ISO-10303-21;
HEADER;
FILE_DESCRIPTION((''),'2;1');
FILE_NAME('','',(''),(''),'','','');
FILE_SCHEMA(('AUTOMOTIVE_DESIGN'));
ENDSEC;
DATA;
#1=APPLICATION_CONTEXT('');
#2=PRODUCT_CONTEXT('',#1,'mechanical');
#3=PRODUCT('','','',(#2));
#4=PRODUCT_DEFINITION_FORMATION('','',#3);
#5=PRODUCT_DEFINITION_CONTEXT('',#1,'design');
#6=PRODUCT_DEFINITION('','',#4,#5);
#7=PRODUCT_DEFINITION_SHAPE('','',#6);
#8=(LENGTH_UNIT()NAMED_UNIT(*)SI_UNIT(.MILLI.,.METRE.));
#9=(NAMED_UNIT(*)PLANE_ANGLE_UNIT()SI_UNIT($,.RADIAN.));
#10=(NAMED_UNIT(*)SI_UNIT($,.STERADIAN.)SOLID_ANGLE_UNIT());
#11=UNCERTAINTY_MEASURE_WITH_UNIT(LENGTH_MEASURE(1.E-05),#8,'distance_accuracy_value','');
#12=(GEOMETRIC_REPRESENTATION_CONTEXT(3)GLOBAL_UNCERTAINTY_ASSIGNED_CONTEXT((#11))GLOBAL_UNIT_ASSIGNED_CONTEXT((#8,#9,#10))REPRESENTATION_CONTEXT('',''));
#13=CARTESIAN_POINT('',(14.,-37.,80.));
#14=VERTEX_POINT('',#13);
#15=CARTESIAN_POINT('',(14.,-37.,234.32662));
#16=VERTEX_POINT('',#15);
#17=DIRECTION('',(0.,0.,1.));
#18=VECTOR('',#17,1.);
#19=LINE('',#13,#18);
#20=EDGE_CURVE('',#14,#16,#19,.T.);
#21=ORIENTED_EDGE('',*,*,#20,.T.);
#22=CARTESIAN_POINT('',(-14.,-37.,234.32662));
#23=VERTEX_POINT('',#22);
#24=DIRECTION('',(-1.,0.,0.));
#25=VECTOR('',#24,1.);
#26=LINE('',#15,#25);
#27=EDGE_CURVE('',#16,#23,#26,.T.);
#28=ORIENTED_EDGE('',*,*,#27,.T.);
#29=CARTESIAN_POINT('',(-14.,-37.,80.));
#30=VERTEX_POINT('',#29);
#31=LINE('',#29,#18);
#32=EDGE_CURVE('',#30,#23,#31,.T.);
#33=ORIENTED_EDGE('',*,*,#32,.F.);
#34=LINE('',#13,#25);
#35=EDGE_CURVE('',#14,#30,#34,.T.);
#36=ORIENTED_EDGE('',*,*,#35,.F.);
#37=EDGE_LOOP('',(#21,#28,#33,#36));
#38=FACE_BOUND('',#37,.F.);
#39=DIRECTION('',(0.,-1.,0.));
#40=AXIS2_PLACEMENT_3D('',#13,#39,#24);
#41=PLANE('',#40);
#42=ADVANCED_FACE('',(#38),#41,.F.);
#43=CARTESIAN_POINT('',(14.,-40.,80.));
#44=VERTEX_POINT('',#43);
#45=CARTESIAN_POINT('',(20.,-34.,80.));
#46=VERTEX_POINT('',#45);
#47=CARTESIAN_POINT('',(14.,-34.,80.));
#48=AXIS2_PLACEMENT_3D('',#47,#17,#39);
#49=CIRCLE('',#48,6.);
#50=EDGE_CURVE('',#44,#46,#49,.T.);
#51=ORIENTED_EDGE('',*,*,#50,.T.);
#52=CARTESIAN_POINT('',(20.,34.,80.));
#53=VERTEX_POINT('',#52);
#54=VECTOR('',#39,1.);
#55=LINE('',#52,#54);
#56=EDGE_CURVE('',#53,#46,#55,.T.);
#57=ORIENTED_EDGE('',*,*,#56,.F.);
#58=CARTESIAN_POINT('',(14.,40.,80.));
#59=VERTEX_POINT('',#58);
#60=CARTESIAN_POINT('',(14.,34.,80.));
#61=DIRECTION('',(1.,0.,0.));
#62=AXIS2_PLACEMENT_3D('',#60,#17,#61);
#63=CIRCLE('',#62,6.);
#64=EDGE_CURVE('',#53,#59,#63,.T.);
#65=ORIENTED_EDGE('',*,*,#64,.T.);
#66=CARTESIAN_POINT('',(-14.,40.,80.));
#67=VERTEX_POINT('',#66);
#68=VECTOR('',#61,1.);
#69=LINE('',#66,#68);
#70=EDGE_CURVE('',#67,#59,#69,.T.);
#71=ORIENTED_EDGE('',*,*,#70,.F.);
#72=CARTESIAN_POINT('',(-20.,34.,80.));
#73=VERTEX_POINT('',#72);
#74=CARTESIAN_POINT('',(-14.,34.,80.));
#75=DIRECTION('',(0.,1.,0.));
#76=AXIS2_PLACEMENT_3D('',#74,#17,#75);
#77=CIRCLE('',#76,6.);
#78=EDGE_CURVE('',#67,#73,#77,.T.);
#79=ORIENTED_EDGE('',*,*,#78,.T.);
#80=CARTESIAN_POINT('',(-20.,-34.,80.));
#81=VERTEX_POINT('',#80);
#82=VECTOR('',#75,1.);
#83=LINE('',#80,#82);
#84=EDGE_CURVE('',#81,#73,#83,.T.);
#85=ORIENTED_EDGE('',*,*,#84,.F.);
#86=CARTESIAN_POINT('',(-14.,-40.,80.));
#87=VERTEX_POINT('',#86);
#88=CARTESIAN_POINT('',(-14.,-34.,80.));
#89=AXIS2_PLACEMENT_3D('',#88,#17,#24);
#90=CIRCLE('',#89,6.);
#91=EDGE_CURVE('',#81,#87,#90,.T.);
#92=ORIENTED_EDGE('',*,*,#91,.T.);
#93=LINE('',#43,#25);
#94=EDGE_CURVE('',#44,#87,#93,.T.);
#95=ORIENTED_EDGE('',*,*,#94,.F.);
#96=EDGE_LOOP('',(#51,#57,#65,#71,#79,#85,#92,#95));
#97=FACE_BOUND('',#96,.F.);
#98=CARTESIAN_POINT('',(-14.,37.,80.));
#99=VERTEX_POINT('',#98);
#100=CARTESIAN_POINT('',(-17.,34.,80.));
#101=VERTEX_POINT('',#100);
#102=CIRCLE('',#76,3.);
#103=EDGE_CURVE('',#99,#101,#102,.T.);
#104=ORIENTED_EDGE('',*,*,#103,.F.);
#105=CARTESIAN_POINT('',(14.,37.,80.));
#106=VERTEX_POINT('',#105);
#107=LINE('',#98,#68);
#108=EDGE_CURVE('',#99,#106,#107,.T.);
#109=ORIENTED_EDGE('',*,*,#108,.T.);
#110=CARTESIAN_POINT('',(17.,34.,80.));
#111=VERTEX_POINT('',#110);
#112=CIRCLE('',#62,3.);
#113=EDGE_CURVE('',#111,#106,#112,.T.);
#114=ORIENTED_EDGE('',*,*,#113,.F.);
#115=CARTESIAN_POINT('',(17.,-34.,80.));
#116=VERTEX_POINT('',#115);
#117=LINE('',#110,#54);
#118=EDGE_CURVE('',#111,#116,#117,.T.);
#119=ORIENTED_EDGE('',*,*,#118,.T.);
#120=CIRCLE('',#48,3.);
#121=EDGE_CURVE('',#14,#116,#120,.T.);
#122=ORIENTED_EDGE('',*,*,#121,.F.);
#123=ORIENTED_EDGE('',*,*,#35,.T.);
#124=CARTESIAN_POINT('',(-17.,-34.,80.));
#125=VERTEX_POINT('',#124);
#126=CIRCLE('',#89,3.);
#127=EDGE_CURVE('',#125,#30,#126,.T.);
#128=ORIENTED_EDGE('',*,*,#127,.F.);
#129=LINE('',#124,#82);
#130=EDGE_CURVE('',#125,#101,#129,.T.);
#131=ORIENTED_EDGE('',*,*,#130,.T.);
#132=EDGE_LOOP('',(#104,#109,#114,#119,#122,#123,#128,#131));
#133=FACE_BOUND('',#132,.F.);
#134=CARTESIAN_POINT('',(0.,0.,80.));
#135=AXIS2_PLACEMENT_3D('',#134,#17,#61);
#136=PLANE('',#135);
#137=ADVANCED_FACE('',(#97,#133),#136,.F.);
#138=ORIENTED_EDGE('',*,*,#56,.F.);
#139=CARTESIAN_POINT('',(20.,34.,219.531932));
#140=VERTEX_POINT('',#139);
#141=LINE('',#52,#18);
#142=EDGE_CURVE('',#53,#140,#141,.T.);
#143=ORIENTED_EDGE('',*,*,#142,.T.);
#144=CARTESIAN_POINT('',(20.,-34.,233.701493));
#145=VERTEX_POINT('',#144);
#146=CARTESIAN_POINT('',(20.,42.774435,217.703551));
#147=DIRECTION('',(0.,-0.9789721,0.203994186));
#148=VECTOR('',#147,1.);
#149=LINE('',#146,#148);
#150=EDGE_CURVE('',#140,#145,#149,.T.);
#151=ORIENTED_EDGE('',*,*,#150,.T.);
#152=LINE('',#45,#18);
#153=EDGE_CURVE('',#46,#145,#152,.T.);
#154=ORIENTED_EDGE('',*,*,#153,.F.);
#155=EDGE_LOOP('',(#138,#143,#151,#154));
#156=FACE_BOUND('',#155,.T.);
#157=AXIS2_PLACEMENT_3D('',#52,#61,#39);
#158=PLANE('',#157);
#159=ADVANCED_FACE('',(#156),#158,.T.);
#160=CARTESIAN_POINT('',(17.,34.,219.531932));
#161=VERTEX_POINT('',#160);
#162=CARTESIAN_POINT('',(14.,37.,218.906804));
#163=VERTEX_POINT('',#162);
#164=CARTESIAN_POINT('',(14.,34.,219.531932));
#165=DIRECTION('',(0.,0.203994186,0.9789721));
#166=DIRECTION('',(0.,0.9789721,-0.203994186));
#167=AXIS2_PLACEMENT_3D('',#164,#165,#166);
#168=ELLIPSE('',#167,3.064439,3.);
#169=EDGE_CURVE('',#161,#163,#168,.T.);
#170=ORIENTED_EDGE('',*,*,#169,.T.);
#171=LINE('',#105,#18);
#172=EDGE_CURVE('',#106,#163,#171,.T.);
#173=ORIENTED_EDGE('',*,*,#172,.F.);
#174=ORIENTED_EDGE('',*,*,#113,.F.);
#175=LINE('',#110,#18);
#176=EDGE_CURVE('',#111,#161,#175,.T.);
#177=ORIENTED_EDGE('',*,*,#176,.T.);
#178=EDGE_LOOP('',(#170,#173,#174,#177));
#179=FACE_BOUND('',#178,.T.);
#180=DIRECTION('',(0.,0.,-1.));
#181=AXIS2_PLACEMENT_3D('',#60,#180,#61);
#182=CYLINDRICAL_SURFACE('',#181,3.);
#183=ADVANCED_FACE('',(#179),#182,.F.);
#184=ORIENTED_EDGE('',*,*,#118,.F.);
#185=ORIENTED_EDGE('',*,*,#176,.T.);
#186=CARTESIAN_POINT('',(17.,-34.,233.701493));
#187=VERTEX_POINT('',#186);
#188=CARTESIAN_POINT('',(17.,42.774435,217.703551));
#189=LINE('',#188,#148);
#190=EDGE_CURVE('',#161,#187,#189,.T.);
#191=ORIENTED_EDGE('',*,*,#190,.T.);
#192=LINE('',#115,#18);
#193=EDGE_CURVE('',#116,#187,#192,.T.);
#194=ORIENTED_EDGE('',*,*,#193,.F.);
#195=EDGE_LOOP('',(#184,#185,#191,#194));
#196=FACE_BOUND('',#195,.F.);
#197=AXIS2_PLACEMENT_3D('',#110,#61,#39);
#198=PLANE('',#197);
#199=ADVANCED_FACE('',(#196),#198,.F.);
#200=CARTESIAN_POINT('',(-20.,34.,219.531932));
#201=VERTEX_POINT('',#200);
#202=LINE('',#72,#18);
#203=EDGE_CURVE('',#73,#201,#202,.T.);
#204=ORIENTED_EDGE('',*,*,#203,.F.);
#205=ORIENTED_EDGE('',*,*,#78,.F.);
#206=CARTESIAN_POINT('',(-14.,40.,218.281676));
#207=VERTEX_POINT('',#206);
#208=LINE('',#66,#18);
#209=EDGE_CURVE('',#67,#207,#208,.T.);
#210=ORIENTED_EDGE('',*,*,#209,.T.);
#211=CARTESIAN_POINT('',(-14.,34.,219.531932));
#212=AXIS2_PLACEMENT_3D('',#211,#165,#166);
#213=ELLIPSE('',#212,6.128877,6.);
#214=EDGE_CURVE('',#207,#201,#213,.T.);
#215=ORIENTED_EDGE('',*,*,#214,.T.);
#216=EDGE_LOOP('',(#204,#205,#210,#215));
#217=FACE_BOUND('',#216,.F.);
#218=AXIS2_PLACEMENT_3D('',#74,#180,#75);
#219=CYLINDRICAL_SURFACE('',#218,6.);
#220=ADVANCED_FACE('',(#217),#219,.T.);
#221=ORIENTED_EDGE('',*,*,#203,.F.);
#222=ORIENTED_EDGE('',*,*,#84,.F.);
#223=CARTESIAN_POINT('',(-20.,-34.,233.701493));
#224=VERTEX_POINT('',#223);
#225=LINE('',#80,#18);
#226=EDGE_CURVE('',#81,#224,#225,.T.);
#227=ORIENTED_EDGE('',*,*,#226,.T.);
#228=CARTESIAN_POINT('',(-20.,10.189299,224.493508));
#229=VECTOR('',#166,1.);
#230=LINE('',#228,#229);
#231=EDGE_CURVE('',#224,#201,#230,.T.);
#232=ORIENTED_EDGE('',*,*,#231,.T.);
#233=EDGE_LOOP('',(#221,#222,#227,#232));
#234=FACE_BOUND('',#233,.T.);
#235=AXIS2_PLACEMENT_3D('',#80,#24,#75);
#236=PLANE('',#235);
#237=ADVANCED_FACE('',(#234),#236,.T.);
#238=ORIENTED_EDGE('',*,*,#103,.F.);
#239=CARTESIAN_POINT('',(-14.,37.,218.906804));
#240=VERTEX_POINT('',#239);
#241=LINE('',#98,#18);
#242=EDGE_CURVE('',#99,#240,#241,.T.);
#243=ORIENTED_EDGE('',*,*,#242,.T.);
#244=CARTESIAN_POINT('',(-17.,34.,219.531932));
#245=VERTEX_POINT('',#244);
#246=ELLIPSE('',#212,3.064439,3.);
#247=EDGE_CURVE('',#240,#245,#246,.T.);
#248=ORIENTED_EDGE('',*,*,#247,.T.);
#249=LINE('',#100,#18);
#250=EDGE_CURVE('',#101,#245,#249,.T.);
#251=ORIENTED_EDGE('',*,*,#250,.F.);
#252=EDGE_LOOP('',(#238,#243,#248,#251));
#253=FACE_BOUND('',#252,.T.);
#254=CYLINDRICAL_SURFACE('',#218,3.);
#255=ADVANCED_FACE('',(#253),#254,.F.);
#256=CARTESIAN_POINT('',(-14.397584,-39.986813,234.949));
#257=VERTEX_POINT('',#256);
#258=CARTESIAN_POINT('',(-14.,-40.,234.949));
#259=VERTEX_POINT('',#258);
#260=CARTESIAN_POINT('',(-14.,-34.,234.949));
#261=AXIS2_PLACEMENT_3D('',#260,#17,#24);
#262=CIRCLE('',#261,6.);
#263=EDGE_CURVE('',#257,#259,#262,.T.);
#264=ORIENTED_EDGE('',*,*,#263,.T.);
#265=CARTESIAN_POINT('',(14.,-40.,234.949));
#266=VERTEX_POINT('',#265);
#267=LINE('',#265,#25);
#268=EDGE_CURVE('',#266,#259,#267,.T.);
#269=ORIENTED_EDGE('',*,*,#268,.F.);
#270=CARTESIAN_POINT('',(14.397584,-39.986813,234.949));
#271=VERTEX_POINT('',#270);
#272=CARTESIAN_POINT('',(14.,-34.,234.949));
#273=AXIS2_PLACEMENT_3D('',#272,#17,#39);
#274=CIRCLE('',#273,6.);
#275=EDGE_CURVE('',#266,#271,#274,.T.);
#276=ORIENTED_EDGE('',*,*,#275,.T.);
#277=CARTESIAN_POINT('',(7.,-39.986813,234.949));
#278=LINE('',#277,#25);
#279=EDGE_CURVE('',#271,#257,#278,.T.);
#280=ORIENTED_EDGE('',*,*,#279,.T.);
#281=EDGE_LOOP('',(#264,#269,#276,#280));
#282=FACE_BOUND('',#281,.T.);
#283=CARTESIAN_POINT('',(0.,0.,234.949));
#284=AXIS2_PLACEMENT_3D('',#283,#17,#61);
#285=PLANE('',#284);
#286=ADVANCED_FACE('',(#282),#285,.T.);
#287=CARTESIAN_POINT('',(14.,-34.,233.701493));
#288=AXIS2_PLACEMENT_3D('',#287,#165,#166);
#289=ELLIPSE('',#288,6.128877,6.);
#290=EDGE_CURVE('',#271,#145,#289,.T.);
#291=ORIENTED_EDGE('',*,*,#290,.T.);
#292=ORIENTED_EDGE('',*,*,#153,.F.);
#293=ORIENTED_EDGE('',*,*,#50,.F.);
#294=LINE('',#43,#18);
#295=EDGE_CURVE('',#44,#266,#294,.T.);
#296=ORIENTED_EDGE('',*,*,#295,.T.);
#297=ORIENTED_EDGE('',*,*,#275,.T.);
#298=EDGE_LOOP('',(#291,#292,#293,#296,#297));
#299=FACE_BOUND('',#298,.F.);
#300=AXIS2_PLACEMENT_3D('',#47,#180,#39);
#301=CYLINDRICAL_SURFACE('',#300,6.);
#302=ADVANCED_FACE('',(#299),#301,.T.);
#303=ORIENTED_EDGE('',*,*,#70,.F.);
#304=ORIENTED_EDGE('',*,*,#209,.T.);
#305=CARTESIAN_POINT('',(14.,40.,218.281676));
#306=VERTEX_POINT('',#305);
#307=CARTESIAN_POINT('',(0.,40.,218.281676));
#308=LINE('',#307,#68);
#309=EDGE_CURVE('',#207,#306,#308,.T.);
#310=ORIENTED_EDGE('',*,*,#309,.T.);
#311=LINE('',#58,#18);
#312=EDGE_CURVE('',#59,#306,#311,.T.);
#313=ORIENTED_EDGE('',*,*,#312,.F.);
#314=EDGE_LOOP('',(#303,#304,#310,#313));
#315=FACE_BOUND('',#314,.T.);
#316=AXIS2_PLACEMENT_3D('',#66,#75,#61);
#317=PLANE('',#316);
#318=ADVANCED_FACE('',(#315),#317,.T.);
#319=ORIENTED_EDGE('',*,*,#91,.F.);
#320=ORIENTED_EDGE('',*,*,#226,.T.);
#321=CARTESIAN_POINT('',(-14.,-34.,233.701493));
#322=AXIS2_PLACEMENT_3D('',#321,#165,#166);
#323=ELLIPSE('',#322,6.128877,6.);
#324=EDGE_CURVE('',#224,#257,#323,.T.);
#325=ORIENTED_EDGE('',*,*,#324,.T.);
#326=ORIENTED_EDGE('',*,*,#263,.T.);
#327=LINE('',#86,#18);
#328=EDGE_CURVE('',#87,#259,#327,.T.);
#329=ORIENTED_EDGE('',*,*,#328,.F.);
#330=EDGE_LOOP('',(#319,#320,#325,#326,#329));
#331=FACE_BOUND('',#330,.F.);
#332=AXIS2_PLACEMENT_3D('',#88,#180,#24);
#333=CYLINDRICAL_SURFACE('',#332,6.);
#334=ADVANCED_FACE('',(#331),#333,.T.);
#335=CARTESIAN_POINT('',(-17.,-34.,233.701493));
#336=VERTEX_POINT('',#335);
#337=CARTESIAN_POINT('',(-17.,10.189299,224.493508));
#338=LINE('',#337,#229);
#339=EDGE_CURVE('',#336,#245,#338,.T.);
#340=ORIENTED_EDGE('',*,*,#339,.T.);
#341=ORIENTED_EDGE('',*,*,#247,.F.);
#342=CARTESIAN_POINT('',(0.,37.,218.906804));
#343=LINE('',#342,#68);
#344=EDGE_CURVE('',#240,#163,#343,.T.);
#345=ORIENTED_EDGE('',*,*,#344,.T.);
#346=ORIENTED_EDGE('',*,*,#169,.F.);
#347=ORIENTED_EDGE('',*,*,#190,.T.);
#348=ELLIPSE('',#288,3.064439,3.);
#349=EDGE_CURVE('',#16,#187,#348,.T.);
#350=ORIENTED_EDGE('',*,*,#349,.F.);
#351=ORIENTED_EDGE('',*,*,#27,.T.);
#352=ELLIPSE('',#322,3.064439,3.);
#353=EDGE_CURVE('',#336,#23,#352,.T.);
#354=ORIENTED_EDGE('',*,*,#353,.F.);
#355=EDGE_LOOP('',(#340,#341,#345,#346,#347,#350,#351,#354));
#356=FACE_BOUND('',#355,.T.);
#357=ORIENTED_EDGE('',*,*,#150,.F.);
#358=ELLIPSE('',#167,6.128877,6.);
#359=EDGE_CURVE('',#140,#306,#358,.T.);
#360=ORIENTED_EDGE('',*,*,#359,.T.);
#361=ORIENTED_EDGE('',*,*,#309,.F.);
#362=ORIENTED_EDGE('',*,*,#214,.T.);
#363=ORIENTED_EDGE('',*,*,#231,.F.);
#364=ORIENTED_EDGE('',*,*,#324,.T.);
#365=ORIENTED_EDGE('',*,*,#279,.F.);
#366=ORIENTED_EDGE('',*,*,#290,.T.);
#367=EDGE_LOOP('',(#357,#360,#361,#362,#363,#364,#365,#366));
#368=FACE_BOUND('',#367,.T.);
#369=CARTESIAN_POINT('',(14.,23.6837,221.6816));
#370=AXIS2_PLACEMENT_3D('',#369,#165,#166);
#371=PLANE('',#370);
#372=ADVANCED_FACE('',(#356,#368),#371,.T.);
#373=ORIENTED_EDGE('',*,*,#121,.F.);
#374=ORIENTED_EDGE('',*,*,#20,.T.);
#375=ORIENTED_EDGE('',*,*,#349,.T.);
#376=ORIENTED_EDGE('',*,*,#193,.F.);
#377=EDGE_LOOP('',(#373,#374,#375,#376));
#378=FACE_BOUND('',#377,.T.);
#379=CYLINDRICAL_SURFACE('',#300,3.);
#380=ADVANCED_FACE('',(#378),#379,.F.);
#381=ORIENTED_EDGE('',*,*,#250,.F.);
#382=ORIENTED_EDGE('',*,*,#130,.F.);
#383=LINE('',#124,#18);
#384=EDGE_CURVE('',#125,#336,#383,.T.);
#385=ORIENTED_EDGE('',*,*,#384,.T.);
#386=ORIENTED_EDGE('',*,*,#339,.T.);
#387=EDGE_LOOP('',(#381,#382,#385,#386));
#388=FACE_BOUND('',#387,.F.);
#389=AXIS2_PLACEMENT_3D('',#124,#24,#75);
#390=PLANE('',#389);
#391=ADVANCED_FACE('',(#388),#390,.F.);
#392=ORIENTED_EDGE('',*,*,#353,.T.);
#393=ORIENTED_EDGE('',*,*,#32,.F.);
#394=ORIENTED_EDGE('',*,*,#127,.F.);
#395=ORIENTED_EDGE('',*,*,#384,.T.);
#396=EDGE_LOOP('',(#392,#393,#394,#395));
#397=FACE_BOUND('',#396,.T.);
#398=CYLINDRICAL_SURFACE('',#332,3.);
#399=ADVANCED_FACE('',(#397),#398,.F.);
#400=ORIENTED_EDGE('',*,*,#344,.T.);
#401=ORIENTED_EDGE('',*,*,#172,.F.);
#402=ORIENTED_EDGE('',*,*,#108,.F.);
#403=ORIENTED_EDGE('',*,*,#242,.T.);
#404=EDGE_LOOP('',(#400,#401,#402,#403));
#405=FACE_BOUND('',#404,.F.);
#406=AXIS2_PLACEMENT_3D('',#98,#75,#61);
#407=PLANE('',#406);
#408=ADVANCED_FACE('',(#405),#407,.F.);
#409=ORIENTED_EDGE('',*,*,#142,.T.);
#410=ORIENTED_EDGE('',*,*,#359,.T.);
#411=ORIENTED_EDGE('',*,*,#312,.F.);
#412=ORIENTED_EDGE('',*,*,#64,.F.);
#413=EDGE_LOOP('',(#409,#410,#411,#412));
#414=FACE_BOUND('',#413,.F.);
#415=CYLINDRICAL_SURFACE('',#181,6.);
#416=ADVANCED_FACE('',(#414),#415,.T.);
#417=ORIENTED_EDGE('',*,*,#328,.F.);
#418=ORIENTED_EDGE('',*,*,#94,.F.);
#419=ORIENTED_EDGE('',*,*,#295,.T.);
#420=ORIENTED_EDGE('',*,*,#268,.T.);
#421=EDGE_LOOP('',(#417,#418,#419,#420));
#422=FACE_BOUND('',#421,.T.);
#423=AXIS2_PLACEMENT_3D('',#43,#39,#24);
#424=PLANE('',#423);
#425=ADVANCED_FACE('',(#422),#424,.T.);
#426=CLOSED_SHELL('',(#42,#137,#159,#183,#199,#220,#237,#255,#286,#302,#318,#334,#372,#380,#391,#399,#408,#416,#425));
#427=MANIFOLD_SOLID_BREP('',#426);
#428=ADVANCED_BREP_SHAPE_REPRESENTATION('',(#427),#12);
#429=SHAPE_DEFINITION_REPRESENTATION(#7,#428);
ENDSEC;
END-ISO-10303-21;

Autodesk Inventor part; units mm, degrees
ref_plane "Start Plane" through (0, 0, 80) normal (0, 0, 1) x (1, 0, 0)
ref_plane "End Plane" through (0, 0, 234.949) normal (0, 0, 1) x (1, 0, 0)
sketch "Sketch" plane through (0, 0, 0) normal (0, 0, 1) x (1, 0, 0)
  line L0 (-20, -34) -> (-20, 34)
  line L1 (-14, 40) -> (14, 40)
  line L2 (20, 34) -> (20, -34)
  line L3 (14, -40) -> (-14, -40)
  arc A0 (-20, -34) -> (-14, -40) centre (-14, -34) ccw
  arc A1 (20, 34) -> (14, 40) centre (14, 34) ccw
  arc A2 (-14, 40) -> (-20, 34) centre (-14, 34) ccw
  arc A3 (14, -40) -> (20, -34) centre (14, -34) ccw
  arc A4 (-14, 37) -> (-17, 34) centre (-14, 34) ccw
  line L4 (-14, 37) -> (14, 37)
  arc A5 (17, 34) -> (14, 37) centre (14, 34) ccw
  line L5 (17, 34) -> (17, -34)
  arc A6 (14, -37) -> (17, -34) centre (14, -34) ccw
  line L6 (14, -37) -> (-14, -37)
  arc A7 (-17, -34) -> (-14, -37) centre (-14, -34) ccw
  line L7 (-17, -34) -> (-17, 34)
  line L8 (0, 57.7397) -> (0, -57.7397) construction
  line L9 (-29.7397, 0) -> (29.7397, 0) construction
  dimension "d7" = 6
  dimension "d9" = 40
  dimension "d11" = 80
  dimension "d12" = 3
  dimension "d15" = 20
  dimension "d16" = 40
extrude "Body" add sketch "Sketch" along normal up to surface (154.949 mm away) from surface at 80
sketch "Sketch3" plane through (0, 0, 0) normal (0, 0, 1) x (1, 0, 0)
  line L0 (0, 0) -> (10, 0)
ref_plane "Work Plane3" through (0, 0, 0) normal (0, -1, 0) x (1, 0, 0)
ref_plane "Work Plane4" through (14, 23.6837, 221.6816) normal (0, 0.204, 0.979) x (1, 0, 0)
split "Split1" plane through (14, 23.6837, 221.6816) removes the side toward (0, 0.204, 0.979)
sketch "Sketch4" plane through (0, 0, 0) normal (0, -1, 0) x (1, 0, 0)
  line L0 (-2, 80) -> (12, 80) projected
  line L1 (-2, 234.949) -> (12, 234.949) projected
  dimension "d18" = 154.949
equation "\"d7\" = G_IR"
equation "\"d9\" = G_W"
equation "\"d11\" = G_H"
equation "\"d12\" = G_T"
equation "\"d15\" = 0.5 * d9"
equation "\"d16\" = 0.5 * d11"
equation "\"d3\" = G_L"
equation "\"G_W\" = 40"
equation "\"G_H\" = 80"
equation "\"G_T\" = 3"
equation "\"G_IR\" = 6"
equation "\"G_L\" = d18"
equation "\"G_OFFSET_END\" = -65.051"
equation "\"d14\" = G_OFFSET_END + B_L"
equation "\"B_L\" = 300"
properties part number "ISO 10799-2 - 80x40x3 - 154.95" material "Steel, Mild"
